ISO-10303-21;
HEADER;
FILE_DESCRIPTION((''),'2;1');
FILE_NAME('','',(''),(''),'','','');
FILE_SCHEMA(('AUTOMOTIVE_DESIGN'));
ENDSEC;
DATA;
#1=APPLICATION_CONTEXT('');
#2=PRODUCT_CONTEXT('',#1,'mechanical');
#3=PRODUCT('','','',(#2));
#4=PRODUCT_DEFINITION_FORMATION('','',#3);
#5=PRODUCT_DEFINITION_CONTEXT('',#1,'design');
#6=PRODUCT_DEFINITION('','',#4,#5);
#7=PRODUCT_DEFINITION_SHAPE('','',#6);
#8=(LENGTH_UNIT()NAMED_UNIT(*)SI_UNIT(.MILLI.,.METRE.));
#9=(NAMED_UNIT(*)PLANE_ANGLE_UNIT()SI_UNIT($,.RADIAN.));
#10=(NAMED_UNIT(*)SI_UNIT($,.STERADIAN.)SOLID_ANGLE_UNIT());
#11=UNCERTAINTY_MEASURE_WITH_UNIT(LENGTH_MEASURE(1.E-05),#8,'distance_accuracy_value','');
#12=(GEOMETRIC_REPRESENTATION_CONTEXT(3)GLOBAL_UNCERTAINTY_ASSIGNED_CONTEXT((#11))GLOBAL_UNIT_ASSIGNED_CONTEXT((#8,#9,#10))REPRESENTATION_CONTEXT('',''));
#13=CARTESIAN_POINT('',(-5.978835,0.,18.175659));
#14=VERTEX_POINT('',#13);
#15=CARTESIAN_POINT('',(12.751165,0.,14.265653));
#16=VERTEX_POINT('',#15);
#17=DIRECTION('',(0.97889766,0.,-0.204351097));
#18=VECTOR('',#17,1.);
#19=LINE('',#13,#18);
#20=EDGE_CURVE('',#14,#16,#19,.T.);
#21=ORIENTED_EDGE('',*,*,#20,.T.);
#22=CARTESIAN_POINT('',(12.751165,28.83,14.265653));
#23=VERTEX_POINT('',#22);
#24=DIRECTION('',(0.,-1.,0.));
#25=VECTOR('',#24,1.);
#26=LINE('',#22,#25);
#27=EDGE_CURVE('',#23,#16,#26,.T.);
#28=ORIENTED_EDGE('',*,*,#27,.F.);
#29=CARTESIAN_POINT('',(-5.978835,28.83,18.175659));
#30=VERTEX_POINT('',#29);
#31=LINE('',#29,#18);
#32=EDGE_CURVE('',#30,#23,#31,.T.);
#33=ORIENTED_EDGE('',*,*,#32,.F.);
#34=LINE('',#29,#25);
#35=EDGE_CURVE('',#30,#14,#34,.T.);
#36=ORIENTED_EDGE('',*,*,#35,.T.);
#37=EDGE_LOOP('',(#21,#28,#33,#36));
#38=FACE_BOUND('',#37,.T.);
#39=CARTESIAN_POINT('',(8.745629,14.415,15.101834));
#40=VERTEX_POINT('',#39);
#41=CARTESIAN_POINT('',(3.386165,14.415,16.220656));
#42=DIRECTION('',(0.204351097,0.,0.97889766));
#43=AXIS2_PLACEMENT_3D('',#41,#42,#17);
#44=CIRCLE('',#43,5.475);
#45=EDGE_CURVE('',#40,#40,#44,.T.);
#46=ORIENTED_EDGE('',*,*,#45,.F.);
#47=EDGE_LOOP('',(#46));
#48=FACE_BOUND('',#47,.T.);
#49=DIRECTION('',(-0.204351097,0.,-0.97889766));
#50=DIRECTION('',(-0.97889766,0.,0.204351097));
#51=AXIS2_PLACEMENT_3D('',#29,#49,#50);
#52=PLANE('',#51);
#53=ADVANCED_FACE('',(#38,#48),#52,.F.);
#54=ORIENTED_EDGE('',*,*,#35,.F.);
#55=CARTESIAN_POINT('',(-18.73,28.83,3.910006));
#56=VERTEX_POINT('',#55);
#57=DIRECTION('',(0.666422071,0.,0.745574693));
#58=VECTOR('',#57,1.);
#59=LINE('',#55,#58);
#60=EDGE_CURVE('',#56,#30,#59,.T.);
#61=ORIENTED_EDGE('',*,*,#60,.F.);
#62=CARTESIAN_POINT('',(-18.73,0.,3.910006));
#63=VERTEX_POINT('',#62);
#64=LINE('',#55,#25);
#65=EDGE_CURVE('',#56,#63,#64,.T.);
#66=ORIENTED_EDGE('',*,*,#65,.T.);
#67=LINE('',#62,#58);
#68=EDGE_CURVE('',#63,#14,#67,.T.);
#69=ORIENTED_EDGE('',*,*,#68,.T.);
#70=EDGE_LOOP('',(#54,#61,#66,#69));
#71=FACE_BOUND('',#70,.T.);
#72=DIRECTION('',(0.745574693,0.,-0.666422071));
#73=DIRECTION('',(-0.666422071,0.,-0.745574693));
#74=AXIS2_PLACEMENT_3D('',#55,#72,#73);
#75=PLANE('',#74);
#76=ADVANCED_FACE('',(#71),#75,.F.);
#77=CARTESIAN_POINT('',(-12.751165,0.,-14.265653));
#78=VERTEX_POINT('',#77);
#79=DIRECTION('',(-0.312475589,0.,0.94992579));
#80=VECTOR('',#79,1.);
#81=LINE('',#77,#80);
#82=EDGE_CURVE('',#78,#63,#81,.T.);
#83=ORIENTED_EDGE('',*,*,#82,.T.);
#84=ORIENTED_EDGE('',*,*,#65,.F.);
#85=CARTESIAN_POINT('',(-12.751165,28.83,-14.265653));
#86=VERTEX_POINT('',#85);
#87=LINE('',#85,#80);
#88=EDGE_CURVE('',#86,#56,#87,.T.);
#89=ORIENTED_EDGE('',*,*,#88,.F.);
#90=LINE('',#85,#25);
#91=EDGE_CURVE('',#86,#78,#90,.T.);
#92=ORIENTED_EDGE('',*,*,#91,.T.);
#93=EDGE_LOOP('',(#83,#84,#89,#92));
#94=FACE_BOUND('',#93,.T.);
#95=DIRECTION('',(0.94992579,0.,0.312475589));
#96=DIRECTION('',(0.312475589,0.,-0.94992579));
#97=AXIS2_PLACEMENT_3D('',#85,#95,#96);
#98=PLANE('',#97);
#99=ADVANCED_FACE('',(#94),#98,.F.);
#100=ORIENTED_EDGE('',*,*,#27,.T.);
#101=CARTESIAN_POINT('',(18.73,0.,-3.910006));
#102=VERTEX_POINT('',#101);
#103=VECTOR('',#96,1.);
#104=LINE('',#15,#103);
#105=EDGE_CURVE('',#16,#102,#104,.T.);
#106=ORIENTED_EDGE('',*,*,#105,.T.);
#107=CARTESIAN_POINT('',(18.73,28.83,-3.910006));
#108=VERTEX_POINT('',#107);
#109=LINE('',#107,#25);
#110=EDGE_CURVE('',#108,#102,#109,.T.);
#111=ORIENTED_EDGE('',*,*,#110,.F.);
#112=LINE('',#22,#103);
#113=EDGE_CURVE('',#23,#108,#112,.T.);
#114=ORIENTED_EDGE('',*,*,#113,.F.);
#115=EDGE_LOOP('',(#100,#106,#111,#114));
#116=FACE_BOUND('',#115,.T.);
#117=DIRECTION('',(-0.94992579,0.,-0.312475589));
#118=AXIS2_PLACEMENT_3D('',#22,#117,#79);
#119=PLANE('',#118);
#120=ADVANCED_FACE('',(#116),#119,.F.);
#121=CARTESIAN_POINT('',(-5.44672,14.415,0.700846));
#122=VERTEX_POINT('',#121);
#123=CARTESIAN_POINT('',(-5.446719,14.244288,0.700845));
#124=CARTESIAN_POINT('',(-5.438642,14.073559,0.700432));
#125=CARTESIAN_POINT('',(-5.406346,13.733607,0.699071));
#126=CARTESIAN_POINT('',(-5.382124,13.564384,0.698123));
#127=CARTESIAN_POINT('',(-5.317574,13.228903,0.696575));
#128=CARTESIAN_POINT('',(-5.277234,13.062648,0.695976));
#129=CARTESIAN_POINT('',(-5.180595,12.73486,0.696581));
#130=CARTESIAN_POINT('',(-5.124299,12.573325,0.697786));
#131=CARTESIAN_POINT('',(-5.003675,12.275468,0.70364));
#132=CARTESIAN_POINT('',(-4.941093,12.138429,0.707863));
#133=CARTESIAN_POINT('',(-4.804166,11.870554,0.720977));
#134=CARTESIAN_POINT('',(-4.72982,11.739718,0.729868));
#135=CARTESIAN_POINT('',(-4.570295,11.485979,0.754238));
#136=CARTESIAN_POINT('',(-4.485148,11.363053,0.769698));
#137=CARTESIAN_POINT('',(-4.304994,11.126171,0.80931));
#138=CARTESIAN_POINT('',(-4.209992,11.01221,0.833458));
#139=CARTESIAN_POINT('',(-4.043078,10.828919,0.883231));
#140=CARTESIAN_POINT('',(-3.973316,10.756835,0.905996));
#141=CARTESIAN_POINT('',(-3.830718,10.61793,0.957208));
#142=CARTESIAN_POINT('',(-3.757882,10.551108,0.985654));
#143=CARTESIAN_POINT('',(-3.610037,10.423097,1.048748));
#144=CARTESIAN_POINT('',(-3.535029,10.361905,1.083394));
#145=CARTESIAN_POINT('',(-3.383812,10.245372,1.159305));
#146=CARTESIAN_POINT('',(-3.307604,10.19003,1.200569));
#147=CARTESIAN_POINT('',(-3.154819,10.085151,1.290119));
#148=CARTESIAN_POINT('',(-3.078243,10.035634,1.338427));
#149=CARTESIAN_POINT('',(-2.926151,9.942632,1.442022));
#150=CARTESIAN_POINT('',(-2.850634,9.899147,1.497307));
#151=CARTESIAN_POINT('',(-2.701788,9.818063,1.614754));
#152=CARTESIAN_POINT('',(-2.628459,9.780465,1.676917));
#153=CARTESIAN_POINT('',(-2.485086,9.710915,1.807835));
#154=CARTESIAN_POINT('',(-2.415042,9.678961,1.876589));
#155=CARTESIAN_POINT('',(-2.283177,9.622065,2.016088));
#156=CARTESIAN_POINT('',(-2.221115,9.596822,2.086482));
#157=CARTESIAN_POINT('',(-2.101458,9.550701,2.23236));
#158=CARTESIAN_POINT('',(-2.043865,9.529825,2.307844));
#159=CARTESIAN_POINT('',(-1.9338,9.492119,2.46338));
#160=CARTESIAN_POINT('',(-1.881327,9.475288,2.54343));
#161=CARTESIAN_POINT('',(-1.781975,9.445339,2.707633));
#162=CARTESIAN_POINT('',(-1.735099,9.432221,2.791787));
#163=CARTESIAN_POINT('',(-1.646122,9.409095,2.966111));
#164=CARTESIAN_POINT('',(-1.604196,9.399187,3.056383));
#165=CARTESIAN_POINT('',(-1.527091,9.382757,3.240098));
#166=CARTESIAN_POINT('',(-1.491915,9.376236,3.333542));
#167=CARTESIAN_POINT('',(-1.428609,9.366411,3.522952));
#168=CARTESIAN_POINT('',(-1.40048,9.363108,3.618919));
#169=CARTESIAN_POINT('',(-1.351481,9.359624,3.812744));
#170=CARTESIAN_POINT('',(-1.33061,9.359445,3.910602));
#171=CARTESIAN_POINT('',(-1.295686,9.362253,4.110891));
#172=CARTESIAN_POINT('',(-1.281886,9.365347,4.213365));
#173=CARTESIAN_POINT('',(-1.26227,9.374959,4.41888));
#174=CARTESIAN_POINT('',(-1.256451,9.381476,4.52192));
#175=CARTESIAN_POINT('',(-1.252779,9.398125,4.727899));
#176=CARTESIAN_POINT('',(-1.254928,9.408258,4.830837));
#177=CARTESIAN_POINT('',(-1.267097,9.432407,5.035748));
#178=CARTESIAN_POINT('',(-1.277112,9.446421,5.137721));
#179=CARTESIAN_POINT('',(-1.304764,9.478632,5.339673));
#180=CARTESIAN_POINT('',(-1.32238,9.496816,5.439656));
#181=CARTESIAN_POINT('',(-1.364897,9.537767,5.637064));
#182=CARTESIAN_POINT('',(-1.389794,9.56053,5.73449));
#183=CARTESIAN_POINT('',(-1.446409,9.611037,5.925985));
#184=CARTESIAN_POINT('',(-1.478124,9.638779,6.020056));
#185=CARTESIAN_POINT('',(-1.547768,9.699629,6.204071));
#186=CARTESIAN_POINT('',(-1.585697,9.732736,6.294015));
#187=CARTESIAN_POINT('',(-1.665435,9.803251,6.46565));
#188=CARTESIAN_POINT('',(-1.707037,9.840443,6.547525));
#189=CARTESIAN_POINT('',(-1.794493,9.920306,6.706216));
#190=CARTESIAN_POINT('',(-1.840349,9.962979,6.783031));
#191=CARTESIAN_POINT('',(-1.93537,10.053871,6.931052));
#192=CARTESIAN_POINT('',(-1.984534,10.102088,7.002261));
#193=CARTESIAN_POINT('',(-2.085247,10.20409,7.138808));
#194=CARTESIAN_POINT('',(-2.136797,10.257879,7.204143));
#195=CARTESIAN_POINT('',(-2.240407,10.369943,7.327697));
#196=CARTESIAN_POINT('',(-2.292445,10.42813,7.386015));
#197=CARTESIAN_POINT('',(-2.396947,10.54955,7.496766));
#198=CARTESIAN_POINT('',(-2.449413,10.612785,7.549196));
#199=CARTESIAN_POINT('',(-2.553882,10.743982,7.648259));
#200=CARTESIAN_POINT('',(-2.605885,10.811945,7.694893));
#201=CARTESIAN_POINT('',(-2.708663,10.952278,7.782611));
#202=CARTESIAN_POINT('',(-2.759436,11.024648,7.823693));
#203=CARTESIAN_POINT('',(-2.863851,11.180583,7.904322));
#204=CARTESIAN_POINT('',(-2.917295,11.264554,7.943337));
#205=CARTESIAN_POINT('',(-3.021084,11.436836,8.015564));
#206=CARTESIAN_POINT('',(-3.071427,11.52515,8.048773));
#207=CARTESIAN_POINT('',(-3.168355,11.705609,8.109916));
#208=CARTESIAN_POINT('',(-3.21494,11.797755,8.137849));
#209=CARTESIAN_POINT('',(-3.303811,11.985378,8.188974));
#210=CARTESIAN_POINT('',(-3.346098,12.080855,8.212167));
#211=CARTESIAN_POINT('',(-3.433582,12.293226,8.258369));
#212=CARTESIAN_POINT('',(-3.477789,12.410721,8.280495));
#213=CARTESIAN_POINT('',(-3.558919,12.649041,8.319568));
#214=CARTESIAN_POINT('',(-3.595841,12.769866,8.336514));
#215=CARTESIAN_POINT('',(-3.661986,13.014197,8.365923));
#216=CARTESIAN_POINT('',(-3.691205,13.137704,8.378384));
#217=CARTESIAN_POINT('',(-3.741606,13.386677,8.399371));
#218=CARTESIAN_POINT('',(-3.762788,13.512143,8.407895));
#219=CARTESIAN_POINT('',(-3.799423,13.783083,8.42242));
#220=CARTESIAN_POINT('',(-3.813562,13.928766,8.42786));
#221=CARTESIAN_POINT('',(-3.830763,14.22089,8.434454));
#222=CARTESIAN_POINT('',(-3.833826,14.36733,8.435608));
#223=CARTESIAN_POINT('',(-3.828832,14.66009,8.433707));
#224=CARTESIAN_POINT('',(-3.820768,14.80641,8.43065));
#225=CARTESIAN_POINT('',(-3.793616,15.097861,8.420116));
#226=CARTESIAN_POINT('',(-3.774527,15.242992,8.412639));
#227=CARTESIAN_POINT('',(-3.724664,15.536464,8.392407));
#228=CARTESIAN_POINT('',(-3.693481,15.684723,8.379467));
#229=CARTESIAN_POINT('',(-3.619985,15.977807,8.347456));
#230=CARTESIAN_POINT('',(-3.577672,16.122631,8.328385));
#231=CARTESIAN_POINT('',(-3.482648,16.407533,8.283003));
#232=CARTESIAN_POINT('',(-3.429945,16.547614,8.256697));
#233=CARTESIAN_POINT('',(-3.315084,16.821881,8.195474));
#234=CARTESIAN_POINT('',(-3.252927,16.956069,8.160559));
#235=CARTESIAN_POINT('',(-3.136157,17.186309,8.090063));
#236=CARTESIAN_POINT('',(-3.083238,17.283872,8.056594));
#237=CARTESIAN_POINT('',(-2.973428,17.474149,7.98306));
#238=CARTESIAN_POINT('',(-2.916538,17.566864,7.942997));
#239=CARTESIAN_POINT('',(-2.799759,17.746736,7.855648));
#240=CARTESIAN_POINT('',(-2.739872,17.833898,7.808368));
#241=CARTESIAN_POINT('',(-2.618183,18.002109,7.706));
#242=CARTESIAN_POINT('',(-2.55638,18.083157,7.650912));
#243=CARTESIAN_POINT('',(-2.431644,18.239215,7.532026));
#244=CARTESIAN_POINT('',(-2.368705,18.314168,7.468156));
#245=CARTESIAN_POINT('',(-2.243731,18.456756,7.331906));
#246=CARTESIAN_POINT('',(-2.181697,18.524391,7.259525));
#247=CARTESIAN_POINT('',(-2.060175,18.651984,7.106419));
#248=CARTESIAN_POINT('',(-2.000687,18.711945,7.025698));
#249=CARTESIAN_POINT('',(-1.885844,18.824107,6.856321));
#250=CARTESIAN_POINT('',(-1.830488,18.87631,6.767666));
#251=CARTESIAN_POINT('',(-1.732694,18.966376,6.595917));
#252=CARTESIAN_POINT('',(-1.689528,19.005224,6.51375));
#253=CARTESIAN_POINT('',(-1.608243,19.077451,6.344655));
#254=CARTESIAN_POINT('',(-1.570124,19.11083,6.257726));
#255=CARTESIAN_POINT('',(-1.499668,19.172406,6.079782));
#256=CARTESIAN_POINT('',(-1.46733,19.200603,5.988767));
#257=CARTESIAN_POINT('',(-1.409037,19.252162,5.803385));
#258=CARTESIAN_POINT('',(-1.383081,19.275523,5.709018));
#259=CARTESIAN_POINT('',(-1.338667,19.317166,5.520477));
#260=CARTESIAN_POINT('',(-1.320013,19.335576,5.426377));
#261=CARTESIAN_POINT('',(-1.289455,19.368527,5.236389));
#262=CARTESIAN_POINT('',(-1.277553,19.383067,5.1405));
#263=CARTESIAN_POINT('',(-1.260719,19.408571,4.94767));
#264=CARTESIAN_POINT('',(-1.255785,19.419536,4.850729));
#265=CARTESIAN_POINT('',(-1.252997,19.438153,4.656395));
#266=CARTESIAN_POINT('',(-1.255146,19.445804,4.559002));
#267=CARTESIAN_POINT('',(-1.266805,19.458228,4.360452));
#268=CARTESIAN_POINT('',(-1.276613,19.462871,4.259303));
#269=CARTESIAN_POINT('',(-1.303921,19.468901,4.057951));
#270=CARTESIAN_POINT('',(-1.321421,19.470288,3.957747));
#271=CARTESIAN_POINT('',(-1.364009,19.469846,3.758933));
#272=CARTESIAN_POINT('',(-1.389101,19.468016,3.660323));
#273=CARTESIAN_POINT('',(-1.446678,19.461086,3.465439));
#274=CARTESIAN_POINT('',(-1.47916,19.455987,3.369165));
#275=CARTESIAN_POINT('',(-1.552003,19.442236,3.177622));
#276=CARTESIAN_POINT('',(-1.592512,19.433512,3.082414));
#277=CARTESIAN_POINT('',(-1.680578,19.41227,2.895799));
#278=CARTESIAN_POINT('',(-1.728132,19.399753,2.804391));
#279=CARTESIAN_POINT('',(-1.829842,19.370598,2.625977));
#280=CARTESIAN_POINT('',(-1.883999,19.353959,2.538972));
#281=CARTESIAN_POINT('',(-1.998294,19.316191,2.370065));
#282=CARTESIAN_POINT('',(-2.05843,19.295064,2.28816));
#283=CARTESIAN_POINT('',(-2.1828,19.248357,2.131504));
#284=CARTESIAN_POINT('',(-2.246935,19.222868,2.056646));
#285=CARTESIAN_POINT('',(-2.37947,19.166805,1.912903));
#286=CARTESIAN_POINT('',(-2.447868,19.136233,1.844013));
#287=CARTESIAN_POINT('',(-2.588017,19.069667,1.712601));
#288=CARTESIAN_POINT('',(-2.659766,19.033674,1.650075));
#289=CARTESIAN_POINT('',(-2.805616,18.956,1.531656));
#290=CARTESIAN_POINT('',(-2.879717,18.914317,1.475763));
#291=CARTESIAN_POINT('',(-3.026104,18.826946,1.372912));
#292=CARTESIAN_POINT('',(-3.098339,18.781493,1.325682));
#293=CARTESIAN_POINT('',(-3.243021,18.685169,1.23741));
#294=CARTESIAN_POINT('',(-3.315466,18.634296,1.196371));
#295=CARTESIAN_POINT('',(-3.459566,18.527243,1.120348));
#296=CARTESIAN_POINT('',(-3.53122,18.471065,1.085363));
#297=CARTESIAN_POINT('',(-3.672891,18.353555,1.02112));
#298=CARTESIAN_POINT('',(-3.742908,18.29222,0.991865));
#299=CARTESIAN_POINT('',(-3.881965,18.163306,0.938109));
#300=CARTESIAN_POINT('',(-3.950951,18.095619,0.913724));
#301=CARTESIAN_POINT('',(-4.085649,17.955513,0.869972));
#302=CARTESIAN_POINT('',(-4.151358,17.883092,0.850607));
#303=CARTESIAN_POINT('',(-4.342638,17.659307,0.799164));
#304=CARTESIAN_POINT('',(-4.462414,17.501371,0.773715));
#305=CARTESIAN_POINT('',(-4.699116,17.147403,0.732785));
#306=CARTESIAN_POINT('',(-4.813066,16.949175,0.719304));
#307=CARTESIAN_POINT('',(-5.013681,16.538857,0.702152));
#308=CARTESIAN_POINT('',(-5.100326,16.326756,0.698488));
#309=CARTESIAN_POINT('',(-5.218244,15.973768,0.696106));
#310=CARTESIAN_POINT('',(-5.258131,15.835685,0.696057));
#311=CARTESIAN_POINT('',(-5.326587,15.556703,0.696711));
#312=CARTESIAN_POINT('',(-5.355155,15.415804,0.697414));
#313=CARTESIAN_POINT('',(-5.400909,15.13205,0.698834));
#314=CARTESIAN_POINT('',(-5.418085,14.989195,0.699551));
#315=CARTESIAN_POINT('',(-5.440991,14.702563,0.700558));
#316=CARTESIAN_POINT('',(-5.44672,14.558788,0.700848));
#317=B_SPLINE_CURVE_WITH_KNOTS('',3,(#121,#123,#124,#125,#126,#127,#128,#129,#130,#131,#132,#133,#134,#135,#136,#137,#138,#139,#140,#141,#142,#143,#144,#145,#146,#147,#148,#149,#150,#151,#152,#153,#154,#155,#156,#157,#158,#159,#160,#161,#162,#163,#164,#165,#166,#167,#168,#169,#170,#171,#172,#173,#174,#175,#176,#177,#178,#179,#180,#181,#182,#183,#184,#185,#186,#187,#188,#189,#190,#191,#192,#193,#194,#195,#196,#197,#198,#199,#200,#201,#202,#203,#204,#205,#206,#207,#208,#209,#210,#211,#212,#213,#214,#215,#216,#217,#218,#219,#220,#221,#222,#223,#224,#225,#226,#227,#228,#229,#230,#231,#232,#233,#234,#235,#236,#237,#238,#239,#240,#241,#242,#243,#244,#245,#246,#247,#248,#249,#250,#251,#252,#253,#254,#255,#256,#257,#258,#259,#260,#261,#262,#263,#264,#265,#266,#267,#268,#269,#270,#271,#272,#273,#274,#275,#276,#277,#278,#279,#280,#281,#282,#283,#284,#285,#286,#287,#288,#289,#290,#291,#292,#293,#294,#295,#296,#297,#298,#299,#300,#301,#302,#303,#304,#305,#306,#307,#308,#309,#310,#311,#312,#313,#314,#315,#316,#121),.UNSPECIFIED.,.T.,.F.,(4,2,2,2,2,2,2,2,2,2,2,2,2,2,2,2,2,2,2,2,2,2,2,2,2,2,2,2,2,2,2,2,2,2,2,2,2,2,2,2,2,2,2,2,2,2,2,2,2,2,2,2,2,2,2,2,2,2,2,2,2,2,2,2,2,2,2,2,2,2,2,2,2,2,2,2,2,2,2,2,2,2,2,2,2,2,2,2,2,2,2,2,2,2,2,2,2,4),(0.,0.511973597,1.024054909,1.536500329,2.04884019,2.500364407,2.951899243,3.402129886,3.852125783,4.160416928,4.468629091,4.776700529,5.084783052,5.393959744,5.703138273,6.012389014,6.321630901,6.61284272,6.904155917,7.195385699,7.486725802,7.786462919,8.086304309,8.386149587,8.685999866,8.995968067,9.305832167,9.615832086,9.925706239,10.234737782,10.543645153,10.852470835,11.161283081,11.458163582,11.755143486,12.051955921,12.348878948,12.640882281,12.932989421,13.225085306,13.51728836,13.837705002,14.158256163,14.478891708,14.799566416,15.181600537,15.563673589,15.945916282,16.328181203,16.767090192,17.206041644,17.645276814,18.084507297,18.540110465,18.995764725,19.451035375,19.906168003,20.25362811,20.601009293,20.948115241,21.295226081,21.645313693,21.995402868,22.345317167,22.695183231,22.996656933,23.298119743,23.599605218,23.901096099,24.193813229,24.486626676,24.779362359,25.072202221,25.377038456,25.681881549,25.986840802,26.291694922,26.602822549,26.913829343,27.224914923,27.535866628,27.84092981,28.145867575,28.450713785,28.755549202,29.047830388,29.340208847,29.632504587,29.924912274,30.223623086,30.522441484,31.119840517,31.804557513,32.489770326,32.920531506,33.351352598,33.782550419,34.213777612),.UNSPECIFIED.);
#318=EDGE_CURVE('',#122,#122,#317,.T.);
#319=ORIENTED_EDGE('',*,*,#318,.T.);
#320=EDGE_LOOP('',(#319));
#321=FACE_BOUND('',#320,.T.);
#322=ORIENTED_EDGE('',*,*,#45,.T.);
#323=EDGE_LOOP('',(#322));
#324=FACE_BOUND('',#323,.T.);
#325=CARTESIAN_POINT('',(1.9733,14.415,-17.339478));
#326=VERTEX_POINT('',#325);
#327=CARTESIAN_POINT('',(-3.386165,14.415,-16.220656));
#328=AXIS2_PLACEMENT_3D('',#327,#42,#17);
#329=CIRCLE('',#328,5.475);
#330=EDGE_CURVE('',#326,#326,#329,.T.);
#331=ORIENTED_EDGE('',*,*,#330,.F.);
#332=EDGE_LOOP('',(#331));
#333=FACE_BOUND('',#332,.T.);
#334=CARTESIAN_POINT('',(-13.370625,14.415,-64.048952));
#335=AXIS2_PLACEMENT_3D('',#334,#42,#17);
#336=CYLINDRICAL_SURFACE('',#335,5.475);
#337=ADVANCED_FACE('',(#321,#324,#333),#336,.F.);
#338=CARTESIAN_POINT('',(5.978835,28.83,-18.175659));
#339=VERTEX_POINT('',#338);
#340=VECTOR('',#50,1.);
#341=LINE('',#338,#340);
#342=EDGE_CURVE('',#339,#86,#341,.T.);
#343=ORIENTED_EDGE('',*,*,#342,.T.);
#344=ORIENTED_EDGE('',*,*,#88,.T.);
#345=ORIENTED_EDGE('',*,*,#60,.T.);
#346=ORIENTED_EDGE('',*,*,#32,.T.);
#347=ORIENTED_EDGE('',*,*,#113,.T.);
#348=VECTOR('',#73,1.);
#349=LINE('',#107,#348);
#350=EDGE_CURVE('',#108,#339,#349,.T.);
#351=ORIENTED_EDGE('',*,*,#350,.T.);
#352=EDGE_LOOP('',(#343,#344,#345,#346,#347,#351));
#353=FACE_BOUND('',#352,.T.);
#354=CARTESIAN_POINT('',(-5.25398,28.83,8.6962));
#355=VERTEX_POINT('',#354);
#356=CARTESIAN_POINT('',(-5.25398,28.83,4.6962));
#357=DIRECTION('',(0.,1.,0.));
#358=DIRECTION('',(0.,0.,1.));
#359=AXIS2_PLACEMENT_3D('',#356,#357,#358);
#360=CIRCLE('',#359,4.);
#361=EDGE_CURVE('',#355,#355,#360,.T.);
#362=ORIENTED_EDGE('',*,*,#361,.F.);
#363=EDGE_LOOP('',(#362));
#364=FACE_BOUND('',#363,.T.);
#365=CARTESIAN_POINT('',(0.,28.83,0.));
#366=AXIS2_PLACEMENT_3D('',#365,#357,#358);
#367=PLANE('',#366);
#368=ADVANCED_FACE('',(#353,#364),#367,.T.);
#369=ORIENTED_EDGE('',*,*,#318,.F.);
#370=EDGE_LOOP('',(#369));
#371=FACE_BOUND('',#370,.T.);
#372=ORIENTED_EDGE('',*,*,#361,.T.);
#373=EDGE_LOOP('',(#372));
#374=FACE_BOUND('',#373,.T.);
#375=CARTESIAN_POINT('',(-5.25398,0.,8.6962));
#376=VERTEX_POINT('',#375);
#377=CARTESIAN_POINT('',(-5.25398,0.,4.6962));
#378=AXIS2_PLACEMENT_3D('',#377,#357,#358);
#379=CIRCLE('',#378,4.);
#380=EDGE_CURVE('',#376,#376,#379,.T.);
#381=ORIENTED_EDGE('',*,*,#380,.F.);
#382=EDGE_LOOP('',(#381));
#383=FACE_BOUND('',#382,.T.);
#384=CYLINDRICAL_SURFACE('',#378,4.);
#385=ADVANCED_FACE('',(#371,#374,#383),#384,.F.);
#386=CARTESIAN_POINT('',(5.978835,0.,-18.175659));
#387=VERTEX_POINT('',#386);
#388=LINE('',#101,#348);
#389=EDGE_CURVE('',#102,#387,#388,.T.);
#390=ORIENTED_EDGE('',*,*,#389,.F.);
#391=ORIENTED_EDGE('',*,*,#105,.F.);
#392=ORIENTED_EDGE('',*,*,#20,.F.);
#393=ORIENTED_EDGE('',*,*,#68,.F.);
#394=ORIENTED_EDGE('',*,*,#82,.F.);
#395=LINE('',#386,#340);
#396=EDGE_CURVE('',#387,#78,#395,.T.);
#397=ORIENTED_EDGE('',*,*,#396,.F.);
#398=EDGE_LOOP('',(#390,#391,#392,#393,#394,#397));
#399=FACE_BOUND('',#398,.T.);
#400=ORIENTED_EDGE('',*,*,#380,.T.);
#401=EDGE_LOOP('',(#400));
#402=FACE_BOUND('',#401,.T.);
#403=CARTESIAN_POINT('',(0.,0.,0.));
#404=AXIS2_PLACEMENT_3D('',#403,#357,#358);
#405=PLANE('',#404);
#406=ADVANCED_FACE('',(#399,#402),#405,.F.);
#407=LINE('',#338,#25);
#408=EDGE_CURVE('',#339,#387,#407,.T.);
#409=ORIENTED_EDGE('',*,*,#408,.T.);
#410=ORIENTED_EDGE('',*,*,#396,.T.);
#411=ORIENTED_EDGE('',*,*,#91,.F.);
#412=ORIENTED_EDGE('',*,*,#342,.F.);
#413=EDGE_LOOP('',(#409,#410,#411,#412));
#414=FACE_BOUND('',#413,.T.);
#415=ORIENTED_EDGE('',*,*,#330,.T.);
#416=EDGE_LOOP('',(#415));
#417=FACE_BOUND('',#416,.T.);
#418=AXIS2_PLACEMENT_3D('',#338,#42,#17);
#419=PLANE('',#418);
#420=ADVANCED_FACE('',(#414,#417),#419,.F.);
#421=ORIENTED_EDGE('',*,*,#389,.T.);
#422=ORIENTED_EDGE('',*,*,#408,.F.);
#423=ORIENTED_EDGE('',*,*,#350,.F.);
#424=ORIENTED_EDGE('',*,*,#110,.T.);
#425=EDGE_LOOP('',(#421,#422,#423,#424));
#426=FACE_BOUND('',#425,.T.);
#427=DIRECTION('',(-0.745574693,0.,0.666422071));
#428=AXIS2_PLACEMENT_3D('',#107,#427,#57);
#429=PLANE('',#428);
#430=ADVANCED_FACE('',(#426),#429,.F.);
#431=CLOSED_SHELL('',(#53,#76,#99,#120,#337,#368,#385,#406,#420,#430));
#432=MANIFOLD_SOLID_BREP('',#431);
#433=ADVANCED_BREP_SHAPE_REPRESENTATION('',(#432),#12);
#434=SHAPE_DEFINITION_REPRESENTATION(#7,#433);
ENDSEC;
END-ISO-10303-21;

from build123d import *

# Parameters (mm, degrees)
BOSS_EXTRUDE1_DEPTH = 28.83
SKETCH2_R           = 5.475
CUT_EXTRUDE1_DEPTH  = 82
SKETCH3_R           = 4
CUT_EXTRUDE4_DEPTH  = 29.83


with BuildPart() as part:
    # Sketch1 → Boss-Extrude1 (new body)
    with BuildSketch(Plane(origin=(0, 0, 0), x_dir=(1, 0, 0), z_dir=(0, 1, 0))):
        Polygon((5.97883519, 18.175658977), (-12.75116481, 14.265652648), (-18.73, -3.910006329), (-5.97883519, -18.175658977), (12.75116481, -14.265652648), (18.73, 3.910006329), align=None)
    extrude(amount=BOSS_EXTRUDE1_DEPTH)

    # Sketch2 → Cut-Extrude1 (cut)
    with BuildSketch(Plane(origin=(3.38616481, 0, 16.220655813), x_dir=(0.97889766, 0, -0.204351097), z_dir=(0.204351097, 0, 0.97889766))):
        with Locations((0, 14.415)):
            Circle(SKETCH2_R)
    extrude(amount=-CUT_EXTRUDE1_DEPTH, mode=Mode.SUBTRACT)

    # Sketch3 → Cut-Extrude4 (cut, through all)
    with BuildSketch(Plane(origin=(0, 28.83, 0), x_dir=(1, 0, 0), z_dir=(0, 1, 0))):
        with Locations((-5.253979625, -4.69620015)):
            Circle(SKETCH3_R)
    extrude(amount=-CUT_EXTRUDE4_DEPTH, mode=Mode.SUBTRACT)


solid = part.part
